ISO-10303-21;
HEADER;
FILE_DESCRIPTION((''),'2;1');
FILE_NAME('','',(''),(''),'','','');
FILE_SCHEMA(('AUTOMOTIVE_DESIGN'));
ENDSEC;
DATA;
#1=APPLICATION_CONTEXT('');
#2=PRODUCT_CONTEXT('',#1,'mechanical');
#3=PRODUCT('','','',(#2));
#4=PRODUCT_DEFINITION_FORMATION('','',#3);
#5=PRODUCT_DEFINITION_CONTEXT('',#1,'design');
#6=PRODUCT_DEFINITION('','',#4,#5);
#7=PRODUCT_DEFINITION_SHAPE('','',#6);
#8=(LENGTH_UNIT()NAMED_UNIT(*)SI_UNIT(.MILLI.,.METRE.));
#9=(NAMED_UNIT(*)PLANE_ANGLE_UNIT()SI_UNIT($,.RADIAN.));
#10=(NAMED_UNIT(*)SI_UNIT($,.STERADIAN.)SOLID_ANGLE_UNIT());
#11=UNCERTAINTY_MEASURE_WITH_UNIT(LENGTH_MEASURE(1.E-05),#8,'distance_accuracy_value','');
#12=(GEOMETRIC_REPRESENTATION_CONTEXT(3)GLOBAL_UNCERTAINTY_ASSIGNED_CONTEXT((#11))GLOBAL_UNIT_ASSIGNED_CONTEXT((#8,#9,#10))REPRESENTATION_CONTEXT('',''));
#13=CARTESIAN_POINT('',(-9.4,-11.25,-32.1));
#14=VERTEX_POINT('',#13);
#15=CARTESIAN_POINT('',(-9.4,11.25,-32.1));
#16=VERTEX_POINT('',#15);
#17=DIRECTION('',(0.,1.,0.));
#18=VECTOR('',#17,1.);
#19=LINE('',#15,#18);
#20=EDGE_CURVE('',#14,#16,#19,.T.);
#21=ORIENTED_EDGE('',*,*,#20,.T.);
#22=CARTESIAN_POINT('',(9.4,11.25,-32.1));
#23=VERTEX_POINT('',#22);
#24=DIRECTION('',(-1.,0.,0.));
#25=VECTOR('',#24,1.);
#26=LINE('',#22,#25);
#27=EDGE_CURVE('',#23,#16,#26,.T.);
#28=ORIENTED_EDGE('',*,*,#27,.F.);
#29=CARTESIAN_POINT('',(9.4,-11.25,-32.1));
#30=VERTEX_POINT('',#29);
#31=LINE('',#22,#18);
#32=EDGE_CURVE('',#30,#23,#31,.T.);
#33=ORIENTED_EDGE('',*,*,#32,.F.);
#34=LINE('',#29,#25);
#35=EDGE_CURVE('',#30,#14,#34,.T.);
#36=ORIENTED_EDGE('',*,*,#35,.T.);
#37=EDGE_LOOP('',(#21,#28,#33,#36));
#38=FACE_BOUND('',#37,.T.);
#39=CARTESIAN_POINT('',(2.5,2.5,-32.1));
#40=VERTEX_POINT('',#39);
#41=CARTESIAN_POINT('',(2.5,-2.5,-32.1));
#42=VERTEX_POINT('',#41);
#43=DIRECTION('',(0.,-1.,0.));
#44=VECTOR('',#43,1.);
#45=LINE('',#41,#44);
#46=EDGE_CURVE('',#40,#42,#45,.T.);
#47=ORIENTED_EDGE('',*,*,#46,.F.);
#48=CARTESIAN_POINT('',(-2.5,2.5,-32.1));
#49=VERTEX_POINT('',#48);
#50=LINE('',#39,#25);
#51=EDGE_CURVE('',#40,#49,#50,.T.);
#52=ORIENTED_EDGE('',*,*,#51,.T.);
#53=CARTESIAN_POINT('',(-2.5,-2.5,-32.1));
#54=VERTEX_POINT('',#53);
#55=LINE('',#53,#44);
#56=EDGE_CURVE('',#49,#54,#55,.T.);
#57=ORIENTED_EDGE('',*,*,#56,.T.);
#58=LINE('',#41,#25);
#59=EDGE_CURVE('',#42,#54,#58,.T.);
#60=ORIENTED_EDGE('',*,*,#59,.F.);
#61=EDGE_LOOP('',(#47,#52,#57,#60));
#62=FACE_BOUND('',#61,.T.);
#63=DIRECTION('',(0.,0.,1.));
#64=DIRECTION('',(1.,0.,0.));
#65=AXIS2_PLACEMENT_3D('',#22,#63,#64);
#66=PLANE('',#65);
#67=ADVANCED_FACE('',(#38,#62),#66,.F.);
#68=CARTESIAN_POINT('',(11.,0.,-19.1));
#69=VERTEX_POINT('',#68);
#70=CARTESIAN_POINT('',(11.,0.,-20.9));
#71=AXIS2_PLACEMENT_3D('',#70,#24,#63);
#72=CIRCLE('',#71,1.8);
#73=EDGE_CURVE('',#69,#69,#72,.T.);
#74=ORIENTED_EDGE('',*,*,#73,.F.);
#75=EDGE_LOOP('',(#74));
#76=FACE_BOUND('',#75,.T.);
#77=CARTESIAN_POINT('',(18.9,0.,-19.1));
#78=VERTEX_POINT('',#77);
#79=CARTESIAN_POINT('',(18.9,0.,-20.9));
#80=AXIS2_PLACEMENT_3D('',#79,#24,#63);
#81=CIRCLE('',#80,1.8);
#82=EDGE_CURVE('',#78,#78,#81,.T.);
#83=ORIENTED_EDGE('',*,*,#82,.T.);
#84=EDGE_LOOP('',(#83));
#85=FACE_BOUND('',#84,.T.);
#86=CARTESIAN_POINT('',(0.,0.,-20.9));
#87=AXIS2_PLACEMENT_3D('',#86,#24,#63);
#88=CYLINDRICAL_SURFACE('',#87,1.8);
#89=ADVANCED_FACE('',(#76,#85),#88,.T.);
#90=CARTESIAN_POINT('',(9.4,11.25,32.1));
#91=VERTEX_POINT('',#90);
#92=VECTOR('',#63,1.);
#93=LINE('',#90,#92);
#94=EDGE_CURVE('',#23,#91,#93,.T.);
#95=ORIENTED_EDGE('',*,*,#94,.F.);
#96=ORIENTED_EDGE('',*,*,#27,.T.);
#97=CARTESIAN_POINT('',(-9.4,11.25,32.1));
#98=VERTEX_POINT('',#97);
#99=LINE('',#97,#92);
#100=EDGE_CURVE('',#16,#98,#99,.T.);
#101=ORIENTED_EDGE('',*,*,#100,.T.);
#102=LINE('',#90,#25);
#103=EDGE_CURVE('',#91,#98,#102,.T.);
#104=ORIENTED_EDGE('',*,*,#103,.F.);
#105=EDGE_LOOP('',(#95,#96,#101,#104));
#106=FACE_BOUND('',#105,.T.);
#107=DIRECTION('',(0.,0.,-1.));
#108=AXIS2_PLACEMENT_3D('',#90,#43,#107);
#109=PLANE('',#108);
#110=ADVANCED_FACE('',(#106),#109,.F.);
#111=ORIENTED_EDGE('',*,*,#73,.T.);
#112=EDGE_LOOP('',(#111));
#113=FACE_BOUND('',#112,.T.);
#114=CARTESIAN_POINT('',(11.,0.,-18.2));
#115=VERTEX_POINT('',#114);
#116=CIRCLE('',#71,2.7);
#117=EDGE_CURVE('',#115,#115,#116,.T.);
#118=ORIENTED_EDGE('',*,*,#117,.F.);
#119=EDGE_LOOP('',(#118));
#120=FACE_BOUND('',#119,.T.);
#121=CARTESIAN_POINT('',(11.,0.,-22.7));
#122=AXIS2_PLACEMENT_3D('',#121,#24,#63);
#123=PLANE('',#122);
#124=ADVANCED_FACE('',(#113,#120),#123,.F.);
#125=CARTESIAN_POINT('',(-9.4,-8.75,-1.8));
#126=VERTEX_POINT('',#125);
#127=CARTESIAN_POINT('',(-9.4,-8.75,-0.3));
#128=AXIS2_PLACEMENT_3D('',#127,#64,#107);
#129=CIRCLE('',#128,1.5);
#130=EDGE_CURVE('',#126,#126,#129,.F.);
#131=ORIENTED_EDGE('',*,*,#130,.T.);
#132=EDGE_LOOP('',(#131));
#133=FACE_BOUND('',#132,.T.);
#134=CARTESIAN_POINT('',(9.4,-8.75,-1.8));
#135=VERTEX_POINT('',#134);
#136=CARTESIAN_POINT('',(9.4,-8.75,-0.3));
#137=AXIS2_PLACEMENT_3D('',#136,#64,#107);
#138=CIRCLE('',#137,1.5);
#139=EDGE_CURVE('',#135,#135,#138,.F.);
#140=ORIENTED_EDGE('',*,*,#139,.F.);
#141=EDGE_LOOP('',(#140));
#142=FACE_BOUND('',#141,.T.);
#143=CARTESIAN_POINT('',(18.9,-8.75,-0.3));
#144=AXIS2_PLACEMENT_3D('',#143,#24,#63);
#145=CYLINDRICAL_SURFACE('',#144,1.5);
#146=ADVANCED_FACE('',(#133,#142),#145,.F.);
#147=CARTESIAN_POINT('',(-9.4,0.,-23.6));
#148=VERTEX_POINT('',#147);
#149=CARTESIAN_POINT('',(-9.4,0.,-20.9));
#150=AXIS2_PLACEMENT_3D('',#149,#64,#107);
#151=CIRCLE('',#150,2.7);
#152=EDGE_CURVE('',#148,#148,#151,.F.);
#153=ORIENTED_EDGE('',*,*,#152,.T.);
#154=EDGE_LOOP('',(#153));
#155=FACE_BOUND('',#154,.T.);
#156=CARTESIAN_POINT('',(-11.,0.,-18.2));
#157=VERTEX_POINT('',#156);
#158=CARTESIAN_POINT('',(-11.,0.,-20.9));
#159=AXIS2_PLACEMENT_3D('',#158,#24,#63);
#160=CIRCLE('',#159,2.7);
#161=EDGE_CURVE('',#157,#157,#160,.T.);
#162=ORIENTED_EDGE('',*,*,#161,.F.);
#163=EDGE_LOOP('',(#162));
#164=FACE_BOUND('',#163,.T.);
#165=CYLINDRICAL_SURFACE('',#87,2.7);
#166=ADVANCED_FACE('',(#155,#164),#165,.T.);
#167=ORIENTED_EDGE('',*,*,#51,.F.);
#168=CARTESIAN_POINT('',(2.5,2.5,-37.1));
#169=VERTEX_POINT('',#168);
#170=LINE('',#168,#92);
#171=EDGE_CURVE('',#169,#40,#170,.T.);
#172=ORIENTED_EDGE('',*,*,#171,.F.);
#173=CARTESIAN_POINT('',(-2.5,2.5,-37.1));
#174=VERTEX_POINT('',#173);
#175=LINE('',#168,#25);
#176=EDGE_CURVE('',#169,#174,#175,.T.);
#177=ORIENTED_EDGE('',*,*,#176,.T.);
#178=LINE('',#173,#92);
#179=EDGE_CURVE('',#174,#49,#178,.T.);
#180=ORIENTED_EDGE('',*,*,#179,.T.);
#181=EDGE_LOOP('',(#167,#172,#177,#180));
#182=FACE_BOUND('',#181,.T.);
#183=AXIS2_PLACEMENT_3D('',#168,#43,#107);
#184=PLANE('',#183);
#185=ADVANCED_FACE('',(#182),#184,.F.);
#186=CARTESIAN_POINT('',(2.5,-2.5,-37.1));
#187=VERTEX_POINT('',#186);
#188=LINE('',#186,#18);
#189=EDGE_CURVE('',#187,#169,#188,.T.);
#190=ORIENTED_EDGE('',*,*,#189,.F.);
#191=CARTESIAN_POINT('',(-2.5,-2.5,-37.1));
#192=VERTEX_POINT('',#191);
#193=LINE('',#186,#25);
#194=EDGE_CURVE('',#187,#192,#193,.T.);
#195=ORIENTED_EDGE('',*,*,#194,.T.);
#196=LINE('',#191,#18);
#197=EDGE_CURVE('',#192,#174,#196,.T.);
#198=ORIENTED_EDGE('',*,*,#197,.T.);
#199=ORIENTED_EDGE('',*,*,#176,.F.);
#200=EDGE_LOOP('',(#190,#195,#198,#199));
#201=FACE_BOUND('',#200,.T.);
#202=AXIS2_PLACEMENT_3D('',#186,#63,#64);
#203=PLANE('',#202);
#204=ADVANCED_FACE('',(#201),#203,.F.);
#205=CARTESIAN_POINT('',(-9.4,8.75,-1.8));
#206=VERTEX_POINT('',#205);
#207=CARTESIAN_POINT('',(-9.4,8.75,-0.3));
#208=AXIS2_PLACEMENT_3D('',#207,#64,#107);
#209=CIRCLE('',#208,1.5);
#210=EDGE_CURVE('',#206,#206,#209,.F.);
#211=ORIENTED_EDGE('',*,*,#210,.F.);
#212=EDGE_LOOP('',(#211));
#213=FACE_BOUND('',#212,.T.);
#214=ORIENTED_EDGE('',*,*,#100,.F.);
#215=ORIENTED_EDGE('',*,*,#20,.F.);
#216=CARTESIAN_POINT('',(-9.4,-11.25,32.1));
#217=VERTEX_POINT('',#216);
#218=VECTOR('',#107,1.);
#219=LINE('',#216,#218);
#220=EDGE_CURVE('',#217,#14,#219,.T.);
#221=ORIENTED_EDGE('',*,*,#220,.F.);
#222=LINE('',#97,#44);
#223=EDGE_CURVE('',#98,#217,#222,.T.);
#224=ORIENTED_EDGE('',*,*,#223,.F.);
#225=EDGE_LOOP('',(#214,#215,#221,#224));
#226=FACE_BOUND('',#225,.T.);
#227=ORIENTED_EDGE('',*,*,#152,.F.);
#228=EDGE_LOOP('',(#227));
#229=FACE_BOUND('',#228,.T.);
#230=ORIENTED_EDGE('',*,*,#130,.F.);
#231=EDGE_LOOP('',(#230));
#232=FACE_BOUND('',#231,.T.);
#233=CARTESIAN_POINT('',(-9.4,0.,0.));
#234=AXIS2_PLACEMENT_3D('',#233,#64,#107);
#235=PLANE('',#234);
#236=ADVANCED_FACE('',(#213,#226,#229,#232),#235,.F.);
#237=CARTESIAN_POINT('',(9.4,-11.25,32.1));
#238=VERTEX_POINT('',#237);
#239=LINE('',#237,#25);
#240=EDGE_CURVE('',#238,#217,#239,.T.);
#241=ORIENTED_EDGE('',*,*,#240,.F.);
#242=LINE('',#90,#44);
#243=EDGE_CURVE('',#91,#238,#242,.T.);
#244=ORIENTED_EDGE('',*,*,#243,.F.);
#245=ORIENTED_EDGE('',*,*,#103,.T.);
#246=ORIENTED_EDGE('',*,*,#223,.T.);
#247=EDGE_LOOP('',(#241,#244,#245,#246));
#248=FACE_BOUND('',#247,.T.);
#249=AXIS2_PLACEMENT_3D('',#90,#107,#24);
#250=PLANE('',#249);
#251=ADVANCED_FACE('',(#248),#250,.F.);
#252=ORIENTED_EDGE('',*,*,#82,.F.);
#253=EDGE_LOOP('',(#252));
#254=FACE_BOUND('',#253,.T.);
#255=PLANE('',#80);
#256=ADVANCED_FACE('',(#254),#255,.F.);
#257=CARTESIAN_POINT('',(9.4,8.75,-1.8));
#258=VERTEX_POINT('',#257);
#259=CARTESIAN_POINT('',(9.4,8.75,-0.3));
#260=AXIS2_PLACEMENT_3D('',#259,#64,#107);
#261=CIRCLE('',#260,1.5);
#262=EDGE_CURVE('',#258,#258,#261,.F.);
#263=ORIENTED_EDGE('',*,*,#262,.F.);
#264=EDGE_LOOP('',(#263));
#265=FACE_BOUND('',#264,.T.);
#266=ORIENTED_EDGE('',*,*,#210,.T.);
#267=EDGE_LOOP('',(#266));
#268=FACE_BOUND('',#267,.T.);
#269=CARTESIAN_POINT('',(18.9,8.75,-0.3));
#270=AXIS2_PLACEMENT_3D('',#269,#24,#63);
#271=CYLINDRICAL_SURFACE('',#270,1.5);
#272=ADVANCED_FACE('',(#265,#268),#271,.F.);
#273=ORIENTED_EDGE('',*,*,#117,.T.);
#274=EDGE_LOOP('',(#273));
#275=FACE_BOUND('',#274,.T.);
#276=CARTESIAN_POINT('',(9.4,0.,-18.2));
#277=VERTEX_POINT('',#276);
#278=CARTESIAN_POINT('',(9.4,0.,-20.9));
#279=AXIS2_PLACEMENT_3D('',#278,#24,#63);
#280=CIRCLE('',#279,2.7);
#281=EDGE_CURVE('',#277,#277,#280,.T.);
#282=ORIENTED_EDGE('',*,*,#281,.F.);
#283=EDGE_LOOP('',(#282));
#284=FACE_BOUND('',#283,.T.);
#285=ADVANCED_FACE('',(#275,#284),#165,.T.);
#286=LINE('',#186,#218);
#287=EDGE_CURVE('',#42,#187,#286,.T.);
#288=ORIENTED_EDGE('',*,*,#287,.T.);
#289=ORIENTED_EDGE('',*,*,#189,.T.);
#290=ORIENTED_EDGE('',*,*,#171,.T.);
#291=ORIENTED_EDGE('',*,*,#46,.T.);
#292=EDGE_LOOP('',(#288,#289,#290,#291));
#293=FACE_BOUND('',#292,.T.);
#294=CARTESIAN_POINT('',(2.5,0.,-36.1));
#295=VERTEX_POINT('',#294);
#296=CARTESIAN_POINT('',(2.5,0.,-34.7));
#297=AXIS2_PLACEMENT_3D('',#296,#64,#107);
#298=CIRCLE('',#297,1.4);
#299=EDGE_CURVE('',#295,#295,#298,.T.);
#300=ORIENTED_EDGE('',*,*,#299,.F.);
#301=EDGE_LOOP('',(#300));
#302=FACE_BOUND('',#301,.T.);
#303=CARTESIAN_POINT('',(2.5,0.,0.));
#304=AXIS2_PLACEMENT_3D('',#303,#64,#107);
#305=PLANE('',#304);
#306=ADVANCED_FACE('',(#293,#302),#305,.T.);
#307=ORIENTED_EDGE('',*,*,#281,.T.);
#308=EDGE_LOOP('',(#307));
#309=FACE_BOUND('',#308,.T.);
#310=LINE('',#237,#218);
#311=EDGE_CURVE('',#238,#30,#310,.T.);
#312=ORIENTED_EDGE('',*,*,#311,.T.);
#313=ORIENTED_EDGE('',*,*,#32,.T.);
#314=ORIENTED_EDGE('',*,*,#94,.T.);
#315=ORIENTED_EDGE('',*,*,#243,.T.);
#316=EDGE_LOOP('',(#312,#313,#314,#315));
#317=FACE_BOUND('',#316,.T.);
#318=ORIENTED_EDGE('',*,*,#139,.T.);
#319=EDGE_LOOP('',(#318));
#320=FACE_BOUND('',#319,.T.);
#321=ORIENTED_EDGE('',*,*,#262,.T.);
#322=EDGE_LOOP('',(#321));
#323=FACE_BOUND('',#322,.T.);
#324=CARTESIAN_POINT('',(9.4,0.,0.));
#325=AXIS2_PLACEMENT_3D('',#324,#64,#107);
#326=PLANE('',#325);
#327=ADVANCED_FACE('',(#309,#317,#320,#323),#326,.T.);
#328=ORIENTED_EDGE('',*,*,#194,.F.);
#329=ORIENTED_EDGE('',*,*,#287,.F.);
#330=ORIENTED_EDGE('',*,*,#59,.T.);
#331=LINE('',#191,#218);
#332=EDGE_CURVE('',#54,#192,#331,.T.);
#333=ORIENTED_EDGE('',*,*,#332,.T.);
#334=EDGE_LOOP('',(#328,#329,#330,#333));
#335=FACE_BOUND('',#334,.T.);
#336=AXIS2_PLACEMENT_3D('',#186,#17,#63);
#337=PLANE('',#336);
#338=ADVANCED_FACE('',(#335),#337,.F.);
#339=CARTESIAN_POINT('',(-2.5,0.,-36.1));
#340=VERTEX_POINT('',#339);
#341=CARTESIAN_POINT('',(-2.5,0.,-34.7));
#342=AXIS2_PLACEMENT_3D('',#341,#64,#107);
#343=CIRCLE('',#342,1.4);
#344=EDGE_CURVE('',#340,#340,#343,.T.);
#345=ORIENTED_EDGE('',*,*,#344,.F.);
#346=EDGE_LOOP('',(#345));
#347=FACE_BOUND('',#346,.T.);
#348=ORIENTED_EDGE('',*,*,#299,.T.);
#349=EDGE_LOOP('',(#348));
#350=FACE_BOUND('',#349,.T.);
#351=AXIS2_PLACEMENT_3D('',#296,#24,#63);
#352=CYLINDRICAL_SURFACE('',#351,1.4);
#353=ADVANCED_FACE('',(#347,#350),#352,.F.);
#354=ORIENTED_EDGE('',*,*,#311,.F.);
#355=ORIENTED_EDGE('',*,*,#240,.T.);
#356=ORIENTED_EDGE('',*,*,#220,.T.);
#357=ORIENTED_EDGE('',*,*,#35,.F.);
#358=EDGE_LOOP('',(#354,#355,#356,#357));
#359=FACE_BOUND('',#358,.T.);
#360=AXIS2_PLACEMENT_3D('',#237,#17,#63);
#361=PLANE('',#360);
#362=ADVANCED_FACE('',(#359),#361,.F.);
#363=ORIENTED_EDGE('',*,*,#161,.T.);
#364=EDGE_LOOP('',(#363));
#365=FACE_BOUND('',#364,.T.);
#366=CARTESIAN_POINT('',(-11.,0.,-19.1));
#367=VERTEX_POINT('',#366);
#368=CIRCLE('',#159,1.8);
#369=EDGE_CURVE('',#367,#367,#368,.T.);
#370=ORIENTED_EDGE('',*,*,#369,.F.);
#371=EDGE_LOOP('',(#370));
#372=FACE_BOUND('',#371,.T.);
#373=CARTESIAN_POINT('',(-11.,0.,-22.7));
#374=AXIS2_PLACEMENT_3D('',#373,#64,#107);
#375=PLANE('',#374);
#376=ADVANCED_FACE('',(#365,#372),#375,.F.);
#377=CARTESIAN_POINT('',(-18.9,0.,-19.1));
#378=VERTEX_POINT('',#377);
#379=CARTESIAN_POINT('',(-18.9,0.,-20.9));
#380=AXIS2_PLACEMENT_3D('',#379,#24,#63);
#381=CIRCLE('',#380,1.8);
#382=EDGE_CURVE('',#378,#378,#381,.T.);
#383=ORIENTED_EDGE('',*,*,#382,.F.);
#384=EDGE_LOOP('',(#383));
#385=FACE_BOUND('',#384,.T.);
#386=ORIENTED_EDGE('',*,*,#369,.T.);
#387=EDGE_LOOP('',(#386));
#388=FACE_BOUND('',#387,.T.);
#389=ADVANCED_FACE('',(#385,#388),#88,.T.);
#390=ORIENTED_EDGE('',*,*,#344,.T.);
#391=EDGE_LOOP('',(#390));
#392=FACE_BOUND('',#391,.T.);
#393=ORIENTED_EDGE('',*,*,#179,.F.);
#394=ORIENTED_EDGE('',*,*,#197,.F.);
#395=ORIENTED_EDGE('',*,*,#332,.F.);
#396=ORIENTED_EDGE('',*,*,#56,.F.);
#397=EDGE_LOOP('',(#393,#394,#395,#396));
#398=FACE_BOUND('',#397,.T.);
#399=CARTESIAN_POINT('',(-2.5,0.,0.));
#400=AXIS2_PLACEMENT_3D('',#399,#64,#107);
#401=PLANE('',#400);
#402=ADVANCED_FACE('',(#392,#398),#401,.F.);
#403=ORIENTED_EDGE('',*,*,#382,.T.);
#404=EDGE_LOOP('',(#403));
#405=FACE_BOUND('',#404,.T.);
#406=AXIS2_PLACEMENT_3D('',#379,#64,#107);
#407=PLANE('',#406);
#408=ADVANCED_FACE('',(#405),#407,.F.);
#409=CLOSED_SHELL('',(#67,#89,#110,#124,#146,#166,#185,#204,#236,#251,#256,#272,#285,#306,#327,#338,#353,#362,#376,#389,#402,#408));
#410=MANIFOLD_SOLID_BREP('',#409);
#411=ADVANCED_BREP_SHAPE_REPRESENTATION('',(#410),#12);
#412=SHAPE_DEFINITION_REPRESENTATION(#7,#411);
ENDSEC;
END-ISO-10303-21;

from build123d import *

# Parameters (mm, degrees)
SKETCH1_W               = 64.2
SKETCH1_H               = 22.5
BOSS_EXTRUDE1_DEPTH     = 9.4
SKETCH3_W               = 5
SKETCH3_H               = 5
SKETCH3_R               = 1.4
BOSS_EXTRUDE2_DEPTH     = 2.5
CUT_EXTRUDE1_DEPTH      = 44.129833063
CUT_EXTRUDE1_DEPTH_BACK = 44.129833063
SKETCH4_R               = 1.5


with BuildPart() as part:
    # Sketch1 → Boss-Extrude1 (new, symmetric)
    with BuildSketch(Plane(origin=(0, 0, 0), x_dir=(0, 0, -1), z_dir=(1, 0, 0))):
        Rectangle(SKETCH1_W, SKETCH1_H)
    extrude(amount=BOSS_EXTRUDE1_DEPTH, both=True)

    # Sketch2 → Revolve1 (revolve)
    with BuildSketch(Plane(origin=(0, 0, 0), x_dir=(1, 0, 0), z_dir=(0, 1, 0)), mode=Mode.PRIVATE) as revolve1_sk:
        Polygon((18.9, 20.9), (18.9, 22.7), (11, 22.7), (11, 23.6), (9.4, 23.6), (9.4, 20.9), align=None)
        Polygon((-9.4, 23.6), (-9.4, 20.9), (-18.9, 20.9), (-18.9, 22.7), (-11, 22.7), (-11, 23.6), align=None)
    revolve(revolve1_sk.sketch.rotate(Axis((0, 0, -20.9), (1, 0, 0)), 180), axis=Axis((0, 0, -20.9), (1, 0, 0)))

    # Sketch3 → Boss-Extrude2 (add, symmetric)
    with BuildSketch(Plane(origin=(0, 0, 0), x_dir=(0, 0, -1), z_dir=(1, 0, 0))):
        with Locations((34.6, 0)):
            Rectangle(SKETCH3_W, SKETCH3_H)
        with Locations((34.7, 0)):
            Circle(SKETCH3_R, mode=Mode.SUBTRACT)
    extrude(amount=BOSS_EXTRUDE2_DEPTH, both=True)

    # Sketch4 → Cut-Extrude1 (cut, two sides: drawn at the far end of the back side and taken through both)
    with BuildSketch(Plane(origin=(0, 0, 0), x_dir=(0, 0, -1), z_dir=(1, 0, 0)).offset(-CUT_EXTRUDE1_DEPTH_BACK)):
        with Locations((0.3, 8.75)):
            Circle(SKETCH4_R)
        with Locations((0.3, -8.75)):
            Circle(SKETCH4_R)
    extrude(amount=CUT_EXTRUDE1_DEPTH + CUT_EXTRUDE1_DEPTH_BACK, mode=Mode.SUBTRACT)


solid = part.part
